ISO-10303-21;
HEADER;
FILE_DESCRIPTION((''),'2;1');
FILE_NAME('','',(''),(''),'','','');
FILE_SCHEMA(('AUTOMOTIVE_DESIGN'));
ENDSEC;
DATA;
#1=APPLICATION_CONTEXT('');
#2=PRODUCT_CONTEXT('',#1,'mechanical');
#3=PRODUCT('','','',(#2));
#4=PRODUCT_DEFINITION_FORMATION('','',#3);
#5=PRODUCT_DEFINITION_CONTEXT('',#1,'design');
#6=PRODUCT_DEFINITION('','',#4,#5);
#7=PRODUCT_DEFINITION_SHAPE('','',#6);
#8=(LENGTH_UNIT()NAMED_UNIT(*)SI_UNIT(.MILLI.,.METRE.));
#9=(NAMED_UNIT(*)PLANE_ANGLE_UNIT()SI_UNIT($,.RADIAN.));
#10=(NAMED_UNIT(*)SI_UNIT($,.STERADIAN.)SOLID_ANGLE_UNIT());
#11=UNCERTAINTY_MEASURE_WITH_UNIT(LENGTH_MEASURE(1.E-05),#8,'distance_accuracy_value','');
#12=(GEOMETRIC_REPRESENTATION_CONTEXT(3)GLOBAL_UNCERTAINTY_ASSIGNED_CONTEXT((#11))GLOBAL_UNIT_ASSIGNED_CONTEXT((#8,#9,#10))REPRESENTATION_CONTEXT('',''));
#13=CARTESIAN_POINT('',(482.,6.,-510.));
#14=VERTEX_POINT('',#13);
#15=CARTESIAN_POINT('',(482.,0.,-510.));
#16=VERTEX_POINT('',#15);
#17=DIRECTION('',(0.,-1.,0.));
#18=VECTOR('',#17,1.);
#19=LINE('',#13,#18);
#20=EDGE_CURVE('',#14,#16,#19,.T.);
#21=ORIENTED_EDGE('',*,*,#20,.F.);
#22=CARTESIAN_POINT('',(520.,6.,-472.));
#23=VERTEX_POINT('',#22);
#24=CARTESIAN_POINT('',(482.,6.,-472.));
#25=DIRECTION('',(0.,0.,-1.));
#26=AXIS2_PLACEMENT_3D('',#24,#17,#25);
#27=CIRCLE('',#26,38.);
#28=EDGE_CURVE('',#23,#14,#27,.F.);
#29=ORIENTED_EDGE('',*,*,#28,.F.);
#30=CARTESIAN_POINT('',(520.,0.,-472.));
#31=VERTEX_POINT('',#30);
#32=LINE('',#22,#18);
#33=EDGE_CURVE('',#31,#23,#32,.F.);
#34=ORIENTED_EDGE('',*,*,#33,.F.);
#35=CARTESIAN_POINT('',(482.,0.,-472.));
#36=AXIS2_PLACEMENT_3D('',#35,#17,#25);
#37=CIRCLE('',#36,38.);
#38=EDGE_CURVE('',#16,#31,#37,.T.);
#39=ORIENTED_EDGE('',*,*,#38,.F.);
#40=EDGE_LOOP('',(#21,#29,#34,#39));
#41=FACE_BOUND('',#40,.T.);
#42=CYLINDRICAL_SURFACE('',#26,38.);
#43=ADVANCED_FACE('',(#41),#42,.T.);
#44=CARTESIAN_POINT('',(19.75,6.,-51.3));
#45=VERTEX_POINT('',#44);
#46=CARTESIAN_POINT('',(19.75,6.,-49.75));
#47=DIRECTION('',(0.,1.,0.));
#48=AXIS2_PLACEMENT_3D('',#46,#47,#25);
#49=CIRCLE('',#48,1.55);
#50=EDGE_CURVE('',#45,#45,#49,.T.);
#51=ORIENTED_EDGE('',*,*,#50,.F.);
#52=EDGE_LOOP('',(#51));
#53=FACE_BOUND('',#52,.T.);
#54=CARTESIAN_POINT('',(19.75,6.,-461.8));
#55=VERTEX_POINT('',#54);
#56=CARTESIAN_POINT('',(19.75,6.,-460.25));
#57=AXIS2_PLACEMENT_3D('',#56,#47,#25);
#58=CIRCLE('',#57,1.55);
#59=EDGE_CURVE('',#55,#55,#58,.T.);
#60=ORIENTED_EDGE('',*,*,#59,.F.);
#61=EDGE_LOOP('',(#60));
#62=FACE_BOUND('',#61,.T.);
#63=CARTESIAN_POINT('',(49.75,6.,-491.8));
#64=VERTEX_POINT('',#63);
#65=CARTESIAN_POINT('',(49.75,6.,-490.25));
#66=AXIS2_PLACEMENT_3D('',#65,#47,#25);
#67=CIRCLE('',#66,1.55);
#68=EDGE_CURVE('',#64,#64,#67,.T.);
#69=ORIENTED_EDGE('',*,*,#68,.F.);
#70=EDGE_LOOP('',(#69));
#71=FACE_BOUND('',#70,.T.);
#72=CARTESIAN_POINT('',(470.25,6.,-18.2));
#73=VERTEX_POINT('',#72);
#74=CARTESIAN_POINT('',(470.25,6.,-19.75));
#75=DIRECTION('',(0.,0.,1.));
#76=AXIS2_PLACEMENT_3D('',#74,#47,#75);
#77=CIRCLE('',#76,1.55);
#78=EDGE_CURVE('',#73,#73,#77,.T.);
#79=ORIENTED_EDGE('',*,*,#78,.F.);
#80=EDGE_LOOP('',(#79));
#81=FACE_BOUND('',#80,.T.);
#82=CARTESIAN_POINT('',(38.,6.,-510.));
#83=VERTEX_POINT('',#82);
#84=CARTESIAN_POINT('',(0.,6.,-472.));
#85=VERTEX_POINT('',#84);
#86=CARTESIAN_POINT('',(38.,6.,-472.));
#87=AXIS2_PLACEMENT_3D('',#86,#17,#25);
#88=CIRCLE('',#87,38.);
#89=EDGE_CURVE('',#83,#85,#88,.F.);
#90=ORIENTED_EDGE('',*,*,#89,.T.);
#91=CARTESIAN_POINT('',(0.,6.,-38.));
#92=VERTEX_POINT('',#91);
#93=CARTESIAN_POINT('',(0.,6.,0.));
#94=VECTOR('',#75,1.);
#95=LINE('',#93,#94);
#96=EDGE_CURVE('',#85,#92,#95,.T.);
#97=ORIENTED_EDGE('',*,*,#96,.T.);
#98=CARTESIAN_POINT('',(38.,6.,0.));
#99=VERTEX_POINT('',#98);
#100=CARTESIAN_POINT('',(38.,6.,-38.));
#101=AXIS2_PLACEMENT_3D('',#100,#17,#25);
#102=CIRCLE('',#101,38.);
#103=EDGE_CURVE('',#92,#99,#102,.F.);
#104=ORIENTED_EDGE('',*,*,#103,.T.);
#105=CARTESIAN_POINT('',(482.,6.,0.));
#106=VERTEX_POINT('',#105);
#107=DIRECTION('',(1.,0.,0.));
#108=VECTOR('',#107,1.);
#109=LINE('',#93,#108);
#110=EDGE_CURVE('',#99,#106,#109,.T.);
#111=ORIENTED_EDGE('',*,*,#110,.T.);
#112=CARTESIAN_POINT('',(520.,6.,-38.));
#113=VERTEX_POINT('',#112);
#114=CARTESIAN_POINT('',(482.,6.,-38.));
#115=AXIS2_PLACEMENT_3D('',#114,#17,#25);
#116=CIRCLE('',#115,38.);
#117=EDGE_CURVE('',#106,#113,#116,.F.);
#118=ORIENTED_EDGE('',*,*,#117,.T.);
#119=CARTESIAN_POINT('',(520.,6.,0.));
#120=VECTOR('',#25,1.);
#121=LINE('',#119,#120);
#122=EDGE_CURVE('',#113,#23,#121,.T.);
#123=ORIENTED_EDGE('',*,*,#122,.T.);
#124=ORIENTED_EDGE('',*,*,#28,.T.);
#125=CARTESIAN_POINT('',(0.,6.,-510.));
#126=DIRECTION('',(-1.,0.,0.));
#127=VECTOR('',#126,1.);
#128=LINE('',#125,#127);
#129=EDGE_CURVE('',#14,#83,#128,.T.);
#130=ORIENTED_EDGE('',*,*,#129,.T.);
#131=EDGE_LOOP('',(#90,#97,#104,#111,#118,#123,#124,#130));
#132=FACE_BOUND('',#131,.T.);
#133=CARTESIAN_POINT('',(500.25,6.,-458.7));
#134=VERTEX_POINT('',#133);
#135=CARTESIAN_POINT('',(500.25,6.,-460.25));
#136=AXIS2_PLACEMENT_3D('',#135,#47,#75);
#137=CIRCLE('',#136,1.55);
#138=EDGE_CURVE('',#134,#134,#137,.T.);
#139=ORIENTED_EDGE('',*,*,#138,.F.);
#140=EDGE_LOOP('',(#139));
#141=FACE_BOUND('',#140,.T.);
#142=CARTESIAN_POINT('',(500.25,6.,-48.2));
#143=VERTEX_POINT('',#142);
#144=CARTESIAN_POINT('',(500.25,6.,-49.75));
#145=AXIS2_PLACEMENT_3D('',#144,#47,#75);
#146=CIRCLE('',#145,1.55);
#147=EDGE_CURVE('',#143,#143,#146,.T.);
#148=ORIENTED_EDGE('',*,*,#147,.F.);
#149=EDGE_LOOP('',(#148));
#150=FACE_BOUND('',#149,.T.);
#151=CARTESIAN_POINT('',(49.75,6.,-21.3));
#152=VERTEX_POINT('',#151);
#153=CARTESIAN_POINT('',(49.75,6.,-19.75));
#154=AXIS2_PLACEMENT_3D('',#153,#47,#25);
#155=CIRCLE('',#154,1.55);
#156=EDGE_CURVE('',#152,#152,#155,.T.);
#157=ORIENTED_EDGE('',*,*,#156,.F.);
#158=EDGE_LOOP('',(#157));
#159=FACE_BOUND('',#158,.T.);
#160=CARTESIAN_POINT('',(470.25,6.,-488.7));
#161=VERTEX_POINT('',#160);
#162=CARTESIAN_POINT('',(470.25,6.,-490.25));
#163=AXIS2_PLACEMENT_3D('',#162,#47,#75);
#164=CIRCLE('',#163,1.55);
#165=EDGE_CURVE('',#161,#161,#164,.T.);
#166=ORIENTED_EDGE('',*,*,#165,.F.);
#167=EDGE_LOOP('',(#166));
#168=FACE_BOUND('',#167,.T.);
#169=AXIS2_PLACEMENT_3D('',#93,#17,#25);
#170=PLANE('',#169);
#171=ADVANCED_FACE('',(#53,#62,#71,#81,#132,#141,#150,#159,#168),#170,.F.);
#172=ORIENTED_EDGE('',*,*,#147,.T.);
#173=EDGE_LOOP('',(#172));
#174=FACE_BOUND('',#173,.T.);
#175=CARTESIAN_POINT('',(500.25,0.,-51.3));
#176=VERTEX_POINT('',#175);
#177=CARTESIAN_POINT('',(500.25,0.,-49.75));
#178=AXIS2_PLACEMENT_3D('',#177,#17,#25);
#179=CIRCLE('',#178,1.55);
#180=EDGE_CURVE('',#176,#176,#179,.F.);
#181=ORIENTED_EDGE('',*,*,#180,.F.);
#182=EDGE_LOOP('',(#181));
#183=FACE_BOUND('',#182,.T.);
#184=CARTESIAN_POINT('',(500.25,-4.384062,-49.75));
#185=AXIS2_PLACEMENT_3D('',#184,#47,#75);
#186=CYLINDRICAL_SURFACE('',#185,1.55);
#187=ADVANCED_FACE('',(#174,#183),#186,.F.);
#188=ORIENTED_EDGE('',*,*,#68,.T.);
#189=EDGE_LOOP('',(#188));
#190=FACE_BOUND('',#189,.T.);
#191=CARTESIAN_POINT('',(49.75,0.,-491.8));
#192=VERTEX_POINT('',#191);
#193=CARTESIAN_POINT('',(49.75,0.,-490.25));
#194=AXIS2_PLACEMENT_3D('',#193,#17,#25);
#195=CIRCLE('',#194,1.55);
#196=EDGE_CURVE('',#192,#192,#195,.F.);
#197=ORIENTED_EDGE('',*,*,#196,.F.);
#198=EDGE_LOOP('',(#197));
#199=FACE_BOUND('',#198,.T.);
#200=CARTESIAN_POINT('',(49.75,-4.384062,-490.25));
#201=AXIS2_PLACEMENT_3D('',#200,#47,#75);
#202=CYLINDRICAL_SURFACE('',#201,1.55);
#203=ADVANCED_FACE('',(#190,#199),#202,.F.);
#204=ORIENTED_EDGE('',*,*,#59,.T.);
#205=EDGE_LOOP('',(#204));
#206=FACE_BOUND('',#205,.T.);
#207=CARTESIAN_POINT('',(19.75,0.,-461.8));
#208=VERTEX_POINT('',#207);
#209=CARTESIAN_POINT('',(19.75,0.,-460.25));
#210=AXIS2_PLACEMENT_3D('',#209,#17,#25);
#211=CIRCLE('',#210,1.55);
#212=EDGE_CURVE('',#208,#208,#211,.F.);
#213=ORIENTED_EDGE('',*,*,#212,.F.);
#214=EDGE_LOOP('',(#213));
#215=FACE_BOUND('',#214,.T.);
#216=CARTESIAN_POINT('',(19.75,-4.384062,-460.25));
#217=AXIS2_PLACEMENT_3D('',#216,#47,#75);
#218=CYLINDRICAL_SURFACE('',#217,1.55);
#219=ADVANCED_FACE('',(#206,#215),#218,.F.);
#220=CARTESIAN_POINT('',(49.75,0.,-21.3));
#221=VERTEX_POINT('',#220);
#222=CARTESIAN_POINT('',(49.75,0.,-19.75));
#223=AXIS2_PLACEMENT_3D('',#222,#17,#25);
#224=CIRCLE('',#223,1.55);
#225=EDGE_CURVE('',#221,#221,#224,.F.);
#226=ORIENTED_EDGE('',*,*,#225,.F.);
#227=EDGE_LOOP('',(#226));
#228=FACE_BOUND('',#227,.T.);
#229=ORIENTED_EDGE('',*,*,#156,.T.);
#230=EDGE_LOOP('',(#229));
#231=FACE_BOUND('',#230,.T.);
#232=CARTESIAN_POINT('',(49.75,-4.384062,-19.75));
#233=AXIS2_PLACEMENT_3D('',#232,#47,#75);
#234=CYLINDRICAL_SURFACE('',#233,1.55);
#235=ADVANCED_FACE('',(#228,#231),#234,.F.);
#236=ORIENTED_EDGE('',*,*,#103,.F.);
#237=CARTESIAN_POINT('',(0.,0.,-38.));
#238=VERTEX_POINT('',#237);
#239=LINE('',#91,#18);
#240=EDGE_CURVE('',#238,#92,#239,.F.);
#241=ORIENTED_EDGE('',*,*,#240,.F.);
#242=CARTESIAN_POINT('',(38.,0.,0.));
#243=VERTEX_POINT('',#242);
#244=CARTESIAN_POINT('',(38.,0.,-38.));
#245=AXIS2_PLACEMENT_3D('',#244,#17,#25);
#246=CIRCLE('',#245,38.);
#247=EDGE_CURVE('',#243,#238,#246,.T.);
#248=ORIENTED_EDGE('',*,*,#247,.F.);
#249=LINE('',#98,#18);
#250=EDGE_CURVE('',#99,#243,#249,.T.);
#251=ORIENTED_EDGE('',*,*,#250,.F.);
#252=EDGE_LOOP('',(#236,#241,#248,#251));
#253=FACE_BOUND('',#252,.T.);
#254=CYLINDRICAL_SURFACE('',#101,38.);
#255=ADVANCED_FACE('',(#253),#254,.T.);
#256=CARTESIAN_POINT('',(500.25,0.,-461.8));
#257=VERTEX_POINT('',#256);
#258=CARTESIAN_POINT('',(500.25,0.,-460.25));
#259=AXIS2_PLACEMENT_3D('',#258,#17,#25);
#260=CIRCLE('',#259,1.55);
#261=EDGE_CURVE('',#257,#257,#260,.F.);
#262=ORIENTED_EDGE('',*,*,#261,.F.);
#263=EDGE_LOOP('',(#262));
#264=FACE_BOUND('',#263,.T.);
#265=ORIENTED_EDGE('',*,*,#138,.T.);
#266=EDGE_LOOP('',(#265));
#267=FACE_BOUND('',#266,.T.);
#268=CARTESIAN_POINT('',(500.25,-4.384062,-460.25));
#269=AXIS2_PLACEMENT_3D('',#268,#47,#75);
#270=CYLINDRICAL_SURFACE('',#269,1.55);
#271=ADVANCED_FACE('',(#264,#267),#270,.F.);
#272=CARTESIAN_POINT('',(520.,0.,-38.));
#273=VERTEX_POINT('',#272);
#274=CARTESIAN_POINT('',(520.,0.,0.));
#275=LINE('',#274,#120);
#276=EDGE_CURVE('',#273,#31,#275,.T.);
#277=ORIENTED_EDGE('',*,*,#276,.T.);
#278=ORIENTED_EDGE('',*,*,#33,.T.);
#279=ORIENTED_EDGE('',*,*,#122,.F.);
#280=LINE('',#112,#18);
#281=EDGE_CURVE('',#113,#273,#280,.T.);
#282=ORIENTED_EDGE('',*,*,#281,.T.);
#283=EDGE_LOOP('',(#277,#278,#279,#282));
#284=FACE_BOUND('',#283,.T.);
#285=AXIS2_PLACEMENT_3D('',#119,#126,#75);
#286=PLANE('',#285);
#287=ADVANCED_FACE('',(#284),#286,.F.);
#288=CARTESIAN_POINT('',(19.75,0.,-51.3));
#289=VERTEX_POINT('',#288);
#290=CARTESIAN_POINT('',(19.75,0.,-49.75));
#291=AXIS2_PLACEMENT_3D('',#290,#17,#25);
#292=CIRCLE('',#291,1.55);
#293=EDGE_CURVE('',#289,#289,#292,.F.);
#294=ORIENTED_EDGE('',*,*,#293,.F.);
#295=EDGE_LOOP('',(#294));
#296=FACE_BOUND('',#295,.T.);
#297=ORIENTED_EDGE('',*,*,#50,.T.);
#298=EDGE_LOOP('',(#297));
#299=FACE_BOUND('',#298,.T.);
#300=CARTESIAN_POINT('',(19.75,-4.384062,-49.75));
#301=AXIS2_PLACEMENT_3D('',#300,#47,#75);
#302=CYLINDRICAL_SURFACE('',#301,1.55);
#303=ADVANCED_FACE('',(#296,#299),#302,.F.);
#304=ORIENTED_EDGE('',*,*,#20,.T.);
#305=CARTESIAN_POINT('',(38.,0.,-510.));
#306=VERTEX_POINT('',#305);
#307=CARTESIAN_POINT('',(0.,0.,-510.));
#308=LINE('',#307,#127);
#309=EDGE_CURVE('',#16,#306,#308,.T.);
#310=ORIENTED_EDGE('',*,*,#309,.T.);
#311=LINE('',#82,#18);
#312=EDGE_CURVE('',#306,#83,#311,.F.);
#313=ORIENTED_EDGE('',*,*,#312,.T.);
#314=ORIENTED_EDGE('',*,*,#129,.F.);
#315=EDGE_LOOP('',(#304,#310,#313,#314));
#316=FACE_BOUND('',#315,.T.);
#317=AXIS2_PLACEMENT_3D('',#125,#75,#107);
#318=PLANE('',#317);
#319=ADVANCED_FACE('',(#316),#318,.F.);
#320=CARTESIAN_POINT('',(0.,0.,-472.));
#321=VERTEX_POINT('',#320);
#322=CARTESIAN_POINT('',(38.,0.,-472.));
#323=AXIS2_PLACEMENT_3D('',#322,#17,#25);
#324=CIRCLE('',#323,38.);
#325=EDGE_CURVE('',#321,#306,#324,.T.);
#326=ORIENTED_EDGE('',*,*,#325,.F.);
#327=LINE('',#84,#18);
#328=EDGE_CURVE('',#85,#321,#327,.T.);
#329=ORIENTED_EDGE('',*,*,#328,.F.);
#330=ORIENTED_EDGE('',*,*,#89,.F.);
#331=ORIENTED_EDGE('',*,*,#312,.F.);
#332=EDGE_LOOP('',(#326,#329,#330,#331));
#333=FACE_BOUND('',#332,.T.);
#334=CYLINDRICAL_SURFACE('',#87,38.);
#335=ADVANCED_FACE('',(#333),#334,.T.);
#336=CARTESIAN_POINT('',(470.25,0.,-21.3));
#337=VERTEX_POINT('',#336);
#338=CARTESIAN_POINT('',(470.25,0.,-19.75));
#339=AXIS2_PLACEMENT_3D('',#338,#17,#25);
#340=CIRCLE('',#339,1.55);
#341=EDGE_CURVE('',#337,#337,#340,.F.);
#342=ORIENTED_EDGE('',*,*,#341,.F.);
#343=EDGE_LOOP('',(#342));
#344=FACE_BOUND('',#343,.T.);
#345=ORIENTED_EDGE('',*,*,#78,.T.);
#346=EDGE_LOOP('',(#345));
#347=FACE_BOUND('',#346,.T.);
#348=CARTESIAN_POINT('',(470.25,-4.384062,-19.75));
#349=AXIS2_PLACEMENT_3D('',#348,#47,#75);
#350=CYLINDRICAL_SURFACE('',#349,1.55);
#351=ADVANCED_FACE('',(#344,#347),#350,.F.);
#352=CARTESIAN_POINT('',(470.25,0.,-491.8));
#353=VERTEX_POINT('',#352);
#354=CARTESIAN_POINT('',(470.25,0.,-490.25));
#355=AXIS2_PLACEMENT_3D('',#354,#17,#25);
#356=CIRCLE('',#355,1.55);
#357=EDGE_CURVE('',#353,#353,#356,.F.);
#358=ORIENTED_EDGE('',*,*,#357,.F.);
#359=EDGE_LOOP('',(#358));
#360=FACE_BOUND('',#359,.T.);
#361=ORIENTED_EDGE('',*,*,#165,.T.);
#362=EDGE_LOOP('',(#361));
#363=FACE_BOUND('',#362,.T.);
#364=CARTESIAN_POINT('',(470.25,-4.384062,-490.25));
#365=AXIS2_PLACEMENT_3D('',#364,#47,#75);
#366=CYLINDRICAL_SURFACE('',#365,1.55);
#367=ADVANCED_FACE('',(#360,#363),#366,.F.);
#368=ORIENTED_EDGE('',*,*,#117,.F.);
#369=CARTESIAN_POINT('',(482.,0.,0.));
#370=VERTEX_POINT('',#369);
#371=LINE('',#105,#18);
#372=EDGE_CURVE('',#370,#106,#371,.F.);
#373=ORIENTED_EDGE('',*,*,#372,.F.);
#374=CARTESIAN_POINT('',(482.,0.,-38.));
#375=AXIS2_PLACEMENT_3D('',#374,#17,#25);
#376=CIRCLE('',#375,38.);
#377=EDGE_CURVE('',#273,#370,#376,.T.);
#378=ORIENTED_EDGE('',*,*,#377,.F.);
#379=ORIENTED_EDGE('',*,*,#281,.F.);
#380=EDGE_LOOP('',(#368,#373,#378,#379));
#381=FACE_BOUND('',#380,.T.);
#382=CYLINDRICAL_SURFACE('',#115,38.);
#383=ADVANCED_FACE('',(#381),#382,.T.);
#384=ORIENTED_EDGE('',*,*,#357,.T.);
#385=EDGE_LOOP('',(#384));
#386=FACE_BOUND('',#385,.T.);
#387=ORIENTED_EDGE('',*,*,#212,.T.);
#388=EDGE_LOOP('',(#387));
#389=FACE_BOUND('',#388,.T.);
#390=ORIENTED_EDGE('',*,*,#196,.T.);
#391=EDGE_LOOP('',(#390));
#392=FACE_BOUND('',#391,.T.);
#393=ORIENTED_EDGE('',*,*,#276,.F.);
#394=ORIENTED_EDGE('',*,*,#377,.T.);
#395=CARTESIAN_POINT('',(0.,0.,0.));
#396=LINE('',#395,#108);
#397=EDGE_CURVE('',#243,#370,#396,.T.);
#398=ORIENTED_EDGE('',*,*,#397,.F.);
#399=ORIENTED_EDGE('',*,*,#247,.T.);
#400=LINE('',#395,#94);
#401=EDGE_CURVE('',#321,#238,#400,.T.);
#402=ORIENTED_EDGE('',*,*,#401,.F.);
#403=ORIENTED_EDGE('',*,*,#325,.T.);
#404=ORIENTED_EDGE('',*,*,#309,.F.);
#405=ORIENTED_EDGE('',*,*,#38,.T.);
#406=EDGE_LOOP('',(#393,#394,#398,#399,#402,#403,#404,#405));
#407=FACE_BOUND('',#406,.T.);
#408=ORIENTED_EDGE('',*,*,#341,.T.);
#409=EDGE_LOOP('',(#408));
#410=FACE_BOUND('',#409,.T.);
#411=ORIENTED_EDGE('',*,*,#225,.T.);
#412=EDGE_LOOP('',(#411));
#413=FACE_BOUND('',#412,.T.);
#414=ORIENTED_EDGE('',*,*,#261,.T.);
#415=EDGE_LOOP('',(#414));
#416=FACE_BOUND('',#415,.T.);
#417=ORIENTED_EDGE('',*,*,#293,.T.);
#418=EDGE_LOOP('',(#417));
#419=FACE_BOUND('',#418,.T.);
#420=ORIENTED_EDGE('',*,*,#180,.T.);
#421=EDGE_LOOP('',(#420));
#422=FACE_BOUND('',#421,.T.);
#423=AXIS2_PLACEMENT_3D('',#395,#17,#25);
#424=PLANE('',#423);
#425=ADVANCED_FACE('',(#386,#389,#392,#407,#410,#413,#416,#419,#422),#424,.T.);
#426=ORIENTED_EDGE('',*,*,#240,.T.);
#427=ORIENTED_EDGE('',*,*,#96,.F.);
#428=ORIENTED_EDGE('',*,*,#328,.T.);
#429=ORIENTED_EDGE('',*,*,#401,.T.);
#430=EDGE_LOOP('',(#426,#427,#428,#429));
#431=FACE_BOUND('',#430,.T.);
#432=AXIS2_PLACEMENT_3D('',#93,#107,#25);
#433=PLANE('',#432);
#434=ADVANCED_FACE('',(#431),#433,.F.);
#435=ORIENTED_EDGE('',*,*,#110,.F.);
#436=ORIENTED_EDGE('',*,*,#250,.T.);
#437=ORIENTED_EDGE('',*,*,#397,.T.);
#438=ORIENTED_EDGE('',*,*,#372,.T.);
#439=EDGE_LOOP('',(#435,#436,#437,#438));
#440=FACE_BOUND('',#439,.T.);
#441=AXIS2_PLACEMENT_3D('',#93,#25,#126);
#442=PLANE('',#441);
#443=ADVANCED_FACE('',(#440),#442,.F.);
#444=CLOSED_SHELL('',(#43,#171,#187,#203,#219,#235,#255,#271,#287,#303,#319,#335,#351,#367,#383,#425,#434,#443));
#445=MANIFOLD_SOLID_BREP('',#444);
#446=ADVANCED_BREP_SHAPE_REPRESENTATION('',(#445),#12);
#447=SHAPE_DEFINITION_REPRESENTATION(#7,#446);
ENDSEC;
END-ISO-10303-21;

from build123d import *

# Parameters (mm, degrees)
CROQUIS1_W              = 520
CROQUIS1_H              = 510
SALIENTE_EXTRUIR1_DEPTH = 6
CROQUIS2_R              = 1.55
CORTAR_EXTRUIR1_DEPTH   = 6
REDONDEO1_R             = 38


with BuildPart() as part:
    # Croquis1 → Saliente-Extruir1 (new body)
    with BuildSketch(Plane(origin=(0, 0, 0), x_dir=(1, 0, 0), z_dir=(0, 1, 0))):
        with Locations((260, 255)):
            Rectangle(CROQUIS1_W, CROQUIS1_H)
    extrude(amount=SALIENTE_EXTRUIR1_DEPTH)

    # Croquis2 → Cortar-Extruir1 (cut)
    with BuildSketch(Plane(origin=(0, 6, 0), x_dir=(1, 0, 0), z_dir=(0, 1, 0))):
        with Locations(Location((470.25, 490.25, 0), (0, 0, 270))):
            Circle(CROQUIS2_R)
        with Locations(Location((500.25, 460.25, 0), (0, 0, 270))):
            Circle(CROQUIS2_R)
        with Locations(Location((500.25, 49.75, 0), (0, 0, 270))):
            Circle(CROQUIS2_R)
        with Locations(Location((19.75, 460.25, 0), (0, 0, 90))):
            Circle(CROQUIS2_R)
        with Locations(Location((19.75, 49.75, 0), (0, 0, 90))):
            Circle(CROQUIS2_R)
        with Locations(Location((470.25, 19.75, 0), (0, 0, 270))):
            Circle(CROQUIS2_R)
        with Locations(Location((49.75, 490.25, 0), (0, 0, 90))):
            Circle(CROQUIS2_R)
        with Locations(Location((49.75, 19.75, 0), (0, 0, 90))):
            Circle(CROQUIS2_R)
    extrude(amount=-CORTAR_EXTRUIR1_DEPTH, mode=Mode.SUBTRACT)

    # Redondeo1
    redondeo1_edges = [part.edges().sort_by_distance(p)[0] for p in [
        (0, 3, -510),
        (520, 3, -510),
        (520, 3, 0),
        (0, 3, 0),
    ]]
    fillet(redondeo1_edges, radius=REDONDEO1_R)


solid = part.part
